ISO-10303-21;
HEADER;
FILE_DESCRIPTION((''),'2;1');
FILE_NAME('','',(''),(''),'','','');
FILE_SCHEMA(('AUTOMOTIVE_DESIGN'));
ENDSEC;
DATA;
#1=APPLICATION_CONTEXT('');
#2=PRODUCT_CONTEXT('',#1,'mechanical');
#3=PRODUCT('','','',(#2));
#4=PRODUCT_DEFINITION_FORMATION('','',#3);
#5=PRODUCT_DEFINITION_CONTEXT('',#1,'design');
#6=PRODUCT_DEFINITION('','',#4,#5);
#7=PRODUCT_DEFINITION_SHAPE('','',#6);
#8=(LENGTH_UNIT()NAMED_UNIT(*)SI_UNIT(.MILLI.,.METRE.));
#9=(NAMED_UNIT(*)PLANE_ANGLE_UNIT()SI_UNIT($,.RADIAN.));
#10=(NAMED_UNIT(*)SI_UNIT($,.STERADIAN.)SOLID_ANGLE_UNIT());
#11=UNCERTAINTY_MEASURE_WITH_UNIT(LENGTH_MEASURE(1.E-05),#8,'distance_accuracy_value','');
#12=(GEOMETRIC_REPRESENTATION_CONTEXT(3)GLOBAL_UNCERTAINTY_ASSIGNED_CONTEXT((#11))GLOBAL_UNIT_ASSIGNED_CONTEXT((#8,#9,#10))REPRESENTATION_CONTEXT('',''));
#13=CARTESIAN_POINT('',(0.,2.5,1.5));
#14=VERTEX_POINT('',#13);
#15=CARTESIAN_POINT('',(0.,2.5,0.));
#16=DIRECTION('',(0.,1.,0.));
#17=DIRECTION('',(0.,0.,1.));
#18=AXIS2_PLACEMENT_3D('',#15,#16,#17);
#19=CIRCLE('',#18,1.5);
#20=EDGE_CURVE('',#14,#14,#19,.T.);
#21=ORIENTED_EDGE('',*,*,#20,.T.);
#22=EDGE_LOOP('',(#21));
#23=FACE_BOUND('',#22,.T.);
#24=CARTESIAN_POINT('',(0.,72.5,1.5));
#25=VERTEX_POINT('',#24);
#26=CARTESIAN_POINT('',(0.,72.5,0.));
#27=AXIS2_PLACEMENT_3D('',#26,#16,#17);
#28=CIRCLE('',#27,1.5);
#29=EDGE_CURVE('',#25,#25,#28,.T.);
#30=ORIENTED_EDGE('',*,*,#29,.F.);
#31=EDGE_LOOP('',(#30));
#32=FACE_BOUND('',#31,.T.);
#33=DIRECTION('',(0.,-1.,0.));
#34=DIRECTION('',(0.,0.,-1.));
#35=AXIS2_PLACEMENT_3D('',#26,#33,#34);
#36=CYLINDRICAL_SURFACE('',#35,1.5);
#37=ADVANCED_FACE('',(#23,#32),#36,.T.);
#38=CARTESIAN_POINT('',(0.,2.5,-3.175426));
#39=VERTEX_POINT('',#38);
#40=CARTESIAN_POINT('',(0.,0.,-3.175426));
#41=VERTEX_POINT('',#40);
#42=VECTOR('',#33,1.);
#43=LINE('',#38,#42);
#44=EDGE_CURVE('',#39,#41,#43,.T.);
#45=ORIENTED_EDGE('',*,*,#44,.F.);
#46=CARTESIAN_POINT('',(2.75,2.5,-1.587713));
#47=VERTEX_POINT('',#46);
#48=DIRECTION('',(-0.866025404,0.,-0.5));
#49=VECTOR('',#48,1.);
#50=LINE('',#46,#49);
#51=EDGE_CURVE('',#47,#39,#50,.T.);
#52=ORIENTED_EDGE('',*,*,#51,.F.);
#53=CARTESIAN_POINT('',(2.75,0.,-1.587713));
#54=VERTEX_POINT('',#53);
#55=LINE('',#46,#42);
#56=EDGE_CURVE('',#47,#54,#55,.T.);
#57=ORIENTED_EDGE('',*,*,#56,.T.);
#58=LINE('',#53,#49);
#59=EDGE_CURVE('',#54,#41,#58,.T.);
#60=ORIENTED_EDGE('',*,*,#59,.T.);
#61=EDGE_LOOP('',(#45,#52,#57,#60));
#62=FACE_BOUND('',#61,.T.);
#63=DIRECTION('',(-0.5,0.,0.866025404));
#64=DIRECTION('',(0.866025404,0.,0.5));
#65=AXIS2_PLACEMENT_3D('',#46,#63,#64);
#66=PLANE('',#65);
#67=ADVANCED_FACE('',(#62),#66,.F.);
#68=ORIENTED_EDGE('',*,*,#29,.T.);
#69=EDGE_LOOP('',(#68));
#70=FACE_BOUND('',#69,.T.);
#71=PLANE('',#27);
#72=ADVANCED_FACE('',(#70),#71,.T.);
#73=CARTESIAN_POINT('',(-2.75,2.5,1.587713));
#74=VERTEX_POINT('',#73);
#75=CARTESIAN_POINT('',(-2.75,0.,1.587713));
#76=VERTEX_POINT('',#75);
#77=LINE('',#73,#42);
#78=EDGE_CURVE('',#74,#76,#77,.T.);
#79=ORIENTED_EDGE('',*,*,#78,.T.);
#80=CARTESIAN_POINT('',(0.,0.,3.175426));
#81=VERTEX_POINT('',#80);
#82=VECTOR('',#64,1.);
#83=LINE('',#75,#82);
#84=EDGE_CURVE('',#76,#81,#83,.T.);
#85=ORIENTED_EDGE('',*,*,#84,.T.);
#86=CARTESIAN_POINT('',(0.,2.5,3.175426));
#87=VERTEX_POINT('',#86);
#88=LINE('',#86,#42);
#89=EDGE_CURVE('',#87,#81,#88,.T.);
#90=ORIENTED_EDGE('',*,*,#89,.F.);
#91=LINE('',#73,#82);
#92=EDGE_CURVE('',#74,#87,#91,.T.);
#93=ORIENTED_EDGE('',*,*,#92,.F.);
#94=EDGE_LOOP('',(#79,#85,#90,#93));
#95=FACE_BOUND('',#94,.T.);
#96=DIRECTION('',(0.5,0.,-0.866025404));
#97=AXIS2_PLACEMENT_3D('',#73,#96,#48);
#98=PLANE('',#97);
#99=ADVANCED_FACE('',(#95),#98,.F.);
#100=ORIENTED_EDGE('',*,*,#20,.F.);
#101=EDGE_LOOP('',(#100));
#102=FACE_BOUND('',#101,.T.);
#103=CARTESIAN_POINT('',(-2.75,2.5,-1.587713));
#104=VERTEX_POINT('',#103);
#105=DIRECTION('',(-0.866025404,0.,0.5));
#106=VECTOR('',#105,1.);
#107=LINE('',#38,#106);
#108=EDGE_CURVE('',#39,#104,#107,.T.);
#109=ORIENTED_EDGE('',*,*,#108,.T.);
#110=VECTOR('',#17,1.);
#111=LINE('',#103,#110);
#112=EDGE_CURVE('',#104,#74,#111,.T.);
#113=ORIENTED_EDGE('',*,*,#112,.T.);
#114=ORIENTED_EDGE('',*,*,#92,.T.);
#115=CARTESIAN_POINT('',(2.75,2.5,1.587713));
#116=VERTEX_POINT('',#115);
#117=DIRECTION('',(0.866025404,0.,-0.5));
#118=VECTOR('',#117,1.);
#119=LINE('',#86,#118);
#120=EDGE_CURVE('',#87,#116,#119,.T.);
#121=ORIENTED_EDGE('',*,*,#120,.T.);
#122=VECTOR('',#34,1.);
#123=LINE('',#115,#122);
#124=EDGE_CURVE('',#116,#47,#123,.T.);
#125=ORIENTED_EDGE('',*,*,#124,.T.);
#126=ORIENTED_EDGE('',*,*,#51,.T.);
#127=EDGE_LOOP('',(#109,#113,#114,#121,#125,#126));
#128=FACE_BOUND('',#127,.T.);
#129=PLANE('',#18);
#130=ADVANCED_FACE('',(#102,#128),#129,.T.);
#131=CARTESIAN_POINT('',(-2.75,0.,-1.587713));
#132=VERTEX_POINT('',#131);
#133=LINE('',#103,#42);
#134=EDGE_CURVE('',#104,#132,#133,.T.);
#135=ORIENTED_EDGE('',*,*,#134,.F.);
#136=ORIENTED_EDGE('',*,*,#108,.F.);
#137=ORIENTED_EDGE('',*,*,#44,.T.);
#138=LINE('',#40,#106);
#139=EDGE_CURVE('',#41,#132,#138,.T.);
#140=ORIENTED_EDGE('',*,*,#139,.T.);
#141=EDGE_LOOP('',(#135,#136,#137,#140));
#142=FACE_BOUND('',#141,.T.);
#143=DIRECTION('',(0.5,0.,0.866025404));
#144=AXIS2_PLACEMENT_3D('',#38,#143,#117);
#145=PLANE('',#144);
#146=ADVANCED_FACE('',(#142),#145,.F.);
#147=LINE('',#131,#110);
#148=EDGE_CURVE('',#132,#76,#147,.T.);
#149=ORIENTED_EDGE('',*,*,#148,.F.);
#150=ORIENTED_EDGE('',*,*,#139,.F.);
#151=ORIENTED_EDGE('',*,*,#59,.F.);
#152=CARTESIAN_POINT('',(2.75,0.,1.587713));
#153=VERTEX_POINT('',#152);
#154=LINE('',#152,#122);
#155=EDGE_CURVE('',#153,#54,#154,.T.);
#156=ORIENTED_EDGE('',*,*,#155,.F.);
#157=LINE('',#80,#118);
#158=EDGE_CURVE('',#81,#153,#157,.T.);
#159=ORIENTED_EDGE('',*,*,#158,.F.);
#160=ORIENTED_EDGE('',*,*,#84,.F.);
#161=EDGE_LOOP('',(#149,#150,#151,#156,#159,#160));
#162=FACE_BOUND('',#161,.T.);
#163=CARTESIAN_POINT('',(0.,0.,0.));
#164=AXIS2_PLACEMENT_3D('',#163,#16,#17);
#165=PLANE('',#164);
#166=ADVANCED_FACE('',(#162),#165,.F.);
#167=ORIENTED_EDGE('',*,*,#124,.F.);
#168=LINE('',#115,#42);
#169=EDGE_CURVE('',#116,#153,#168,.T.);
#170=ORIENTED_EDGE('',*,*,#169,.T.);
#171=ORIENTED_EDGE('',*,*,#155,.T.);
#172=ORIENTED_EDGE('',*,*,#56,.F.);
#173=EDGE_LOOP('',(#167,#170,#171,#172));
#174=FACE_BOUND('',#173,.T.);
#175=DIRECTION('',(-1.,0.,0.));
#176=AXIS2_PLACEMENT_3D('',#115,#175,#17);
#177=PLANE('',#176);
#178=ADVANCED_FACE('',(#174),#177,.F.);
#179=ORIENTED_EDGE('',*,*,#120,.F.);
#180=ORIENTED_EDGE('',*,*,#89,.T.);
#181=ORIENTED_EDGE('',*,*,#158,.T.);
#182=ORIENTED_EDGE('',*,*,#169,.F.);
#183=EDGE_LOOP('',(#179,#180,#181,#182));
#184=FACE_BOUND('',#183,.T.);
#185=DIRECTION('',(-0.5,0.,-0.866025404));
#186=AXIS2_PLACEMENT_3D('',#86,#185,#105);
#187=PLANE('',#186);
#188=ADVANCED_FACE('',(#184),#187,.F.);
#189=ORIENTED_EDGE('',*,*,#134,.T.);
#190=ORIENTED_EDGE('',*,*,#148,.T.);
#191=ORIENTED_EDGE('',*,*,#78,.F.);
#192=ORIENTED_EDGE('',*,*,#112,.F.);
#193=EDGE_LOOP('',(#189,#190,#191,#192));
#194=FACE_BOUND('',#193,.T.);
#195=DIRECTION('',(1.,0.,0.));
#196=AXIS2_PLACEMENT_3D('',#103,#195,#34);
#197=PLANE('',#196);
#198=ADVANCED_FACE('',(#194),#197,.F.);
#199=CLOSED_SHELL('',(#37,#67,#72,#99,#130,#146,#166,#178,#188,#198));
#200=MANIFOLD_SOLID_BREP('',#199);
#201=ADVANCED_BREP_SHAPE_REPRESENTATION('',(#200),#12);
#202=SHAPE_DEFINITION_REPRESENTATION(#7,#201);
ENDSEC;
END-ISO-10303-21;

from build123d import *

# Parameters (mm, degrees)
BOSS_EXTRUDE1_DEPTH = 2.5
SKETCH2_R           = 1.5
BOSS_EXTRUDE2_DEPTH = 70


with BuildPart() as part:
    # Sketch1 → Boss-Extrude1 (new body)
    with BuildSketch(Plane(origin=(0, 0, 0), x_dir=(1, 0, 0), z_dir=(0, 1, 0))):
        Polygon((2.75, 1.58771324), (0, 3.175426481), (-2.75, 1.58771324), (-2.75, -1.58771324), (0, -3.175426481), (2.75, -1.58771324), align=None)
    extrude(amount=BOSS_EXTRUDE1_DEPTH)

    # Sketch2 → Boss-Extrude2 (add)
    with BuildSketch(Plane(origin=(0, 2.5, 0), x_dir=(1, 0, 0), z_dir=(0, 1, 0))):
        Circle(SKETCH2_R)
    extrude(amount=BOSS_EXTRUDE2_DEPTH)


solid = part.part
